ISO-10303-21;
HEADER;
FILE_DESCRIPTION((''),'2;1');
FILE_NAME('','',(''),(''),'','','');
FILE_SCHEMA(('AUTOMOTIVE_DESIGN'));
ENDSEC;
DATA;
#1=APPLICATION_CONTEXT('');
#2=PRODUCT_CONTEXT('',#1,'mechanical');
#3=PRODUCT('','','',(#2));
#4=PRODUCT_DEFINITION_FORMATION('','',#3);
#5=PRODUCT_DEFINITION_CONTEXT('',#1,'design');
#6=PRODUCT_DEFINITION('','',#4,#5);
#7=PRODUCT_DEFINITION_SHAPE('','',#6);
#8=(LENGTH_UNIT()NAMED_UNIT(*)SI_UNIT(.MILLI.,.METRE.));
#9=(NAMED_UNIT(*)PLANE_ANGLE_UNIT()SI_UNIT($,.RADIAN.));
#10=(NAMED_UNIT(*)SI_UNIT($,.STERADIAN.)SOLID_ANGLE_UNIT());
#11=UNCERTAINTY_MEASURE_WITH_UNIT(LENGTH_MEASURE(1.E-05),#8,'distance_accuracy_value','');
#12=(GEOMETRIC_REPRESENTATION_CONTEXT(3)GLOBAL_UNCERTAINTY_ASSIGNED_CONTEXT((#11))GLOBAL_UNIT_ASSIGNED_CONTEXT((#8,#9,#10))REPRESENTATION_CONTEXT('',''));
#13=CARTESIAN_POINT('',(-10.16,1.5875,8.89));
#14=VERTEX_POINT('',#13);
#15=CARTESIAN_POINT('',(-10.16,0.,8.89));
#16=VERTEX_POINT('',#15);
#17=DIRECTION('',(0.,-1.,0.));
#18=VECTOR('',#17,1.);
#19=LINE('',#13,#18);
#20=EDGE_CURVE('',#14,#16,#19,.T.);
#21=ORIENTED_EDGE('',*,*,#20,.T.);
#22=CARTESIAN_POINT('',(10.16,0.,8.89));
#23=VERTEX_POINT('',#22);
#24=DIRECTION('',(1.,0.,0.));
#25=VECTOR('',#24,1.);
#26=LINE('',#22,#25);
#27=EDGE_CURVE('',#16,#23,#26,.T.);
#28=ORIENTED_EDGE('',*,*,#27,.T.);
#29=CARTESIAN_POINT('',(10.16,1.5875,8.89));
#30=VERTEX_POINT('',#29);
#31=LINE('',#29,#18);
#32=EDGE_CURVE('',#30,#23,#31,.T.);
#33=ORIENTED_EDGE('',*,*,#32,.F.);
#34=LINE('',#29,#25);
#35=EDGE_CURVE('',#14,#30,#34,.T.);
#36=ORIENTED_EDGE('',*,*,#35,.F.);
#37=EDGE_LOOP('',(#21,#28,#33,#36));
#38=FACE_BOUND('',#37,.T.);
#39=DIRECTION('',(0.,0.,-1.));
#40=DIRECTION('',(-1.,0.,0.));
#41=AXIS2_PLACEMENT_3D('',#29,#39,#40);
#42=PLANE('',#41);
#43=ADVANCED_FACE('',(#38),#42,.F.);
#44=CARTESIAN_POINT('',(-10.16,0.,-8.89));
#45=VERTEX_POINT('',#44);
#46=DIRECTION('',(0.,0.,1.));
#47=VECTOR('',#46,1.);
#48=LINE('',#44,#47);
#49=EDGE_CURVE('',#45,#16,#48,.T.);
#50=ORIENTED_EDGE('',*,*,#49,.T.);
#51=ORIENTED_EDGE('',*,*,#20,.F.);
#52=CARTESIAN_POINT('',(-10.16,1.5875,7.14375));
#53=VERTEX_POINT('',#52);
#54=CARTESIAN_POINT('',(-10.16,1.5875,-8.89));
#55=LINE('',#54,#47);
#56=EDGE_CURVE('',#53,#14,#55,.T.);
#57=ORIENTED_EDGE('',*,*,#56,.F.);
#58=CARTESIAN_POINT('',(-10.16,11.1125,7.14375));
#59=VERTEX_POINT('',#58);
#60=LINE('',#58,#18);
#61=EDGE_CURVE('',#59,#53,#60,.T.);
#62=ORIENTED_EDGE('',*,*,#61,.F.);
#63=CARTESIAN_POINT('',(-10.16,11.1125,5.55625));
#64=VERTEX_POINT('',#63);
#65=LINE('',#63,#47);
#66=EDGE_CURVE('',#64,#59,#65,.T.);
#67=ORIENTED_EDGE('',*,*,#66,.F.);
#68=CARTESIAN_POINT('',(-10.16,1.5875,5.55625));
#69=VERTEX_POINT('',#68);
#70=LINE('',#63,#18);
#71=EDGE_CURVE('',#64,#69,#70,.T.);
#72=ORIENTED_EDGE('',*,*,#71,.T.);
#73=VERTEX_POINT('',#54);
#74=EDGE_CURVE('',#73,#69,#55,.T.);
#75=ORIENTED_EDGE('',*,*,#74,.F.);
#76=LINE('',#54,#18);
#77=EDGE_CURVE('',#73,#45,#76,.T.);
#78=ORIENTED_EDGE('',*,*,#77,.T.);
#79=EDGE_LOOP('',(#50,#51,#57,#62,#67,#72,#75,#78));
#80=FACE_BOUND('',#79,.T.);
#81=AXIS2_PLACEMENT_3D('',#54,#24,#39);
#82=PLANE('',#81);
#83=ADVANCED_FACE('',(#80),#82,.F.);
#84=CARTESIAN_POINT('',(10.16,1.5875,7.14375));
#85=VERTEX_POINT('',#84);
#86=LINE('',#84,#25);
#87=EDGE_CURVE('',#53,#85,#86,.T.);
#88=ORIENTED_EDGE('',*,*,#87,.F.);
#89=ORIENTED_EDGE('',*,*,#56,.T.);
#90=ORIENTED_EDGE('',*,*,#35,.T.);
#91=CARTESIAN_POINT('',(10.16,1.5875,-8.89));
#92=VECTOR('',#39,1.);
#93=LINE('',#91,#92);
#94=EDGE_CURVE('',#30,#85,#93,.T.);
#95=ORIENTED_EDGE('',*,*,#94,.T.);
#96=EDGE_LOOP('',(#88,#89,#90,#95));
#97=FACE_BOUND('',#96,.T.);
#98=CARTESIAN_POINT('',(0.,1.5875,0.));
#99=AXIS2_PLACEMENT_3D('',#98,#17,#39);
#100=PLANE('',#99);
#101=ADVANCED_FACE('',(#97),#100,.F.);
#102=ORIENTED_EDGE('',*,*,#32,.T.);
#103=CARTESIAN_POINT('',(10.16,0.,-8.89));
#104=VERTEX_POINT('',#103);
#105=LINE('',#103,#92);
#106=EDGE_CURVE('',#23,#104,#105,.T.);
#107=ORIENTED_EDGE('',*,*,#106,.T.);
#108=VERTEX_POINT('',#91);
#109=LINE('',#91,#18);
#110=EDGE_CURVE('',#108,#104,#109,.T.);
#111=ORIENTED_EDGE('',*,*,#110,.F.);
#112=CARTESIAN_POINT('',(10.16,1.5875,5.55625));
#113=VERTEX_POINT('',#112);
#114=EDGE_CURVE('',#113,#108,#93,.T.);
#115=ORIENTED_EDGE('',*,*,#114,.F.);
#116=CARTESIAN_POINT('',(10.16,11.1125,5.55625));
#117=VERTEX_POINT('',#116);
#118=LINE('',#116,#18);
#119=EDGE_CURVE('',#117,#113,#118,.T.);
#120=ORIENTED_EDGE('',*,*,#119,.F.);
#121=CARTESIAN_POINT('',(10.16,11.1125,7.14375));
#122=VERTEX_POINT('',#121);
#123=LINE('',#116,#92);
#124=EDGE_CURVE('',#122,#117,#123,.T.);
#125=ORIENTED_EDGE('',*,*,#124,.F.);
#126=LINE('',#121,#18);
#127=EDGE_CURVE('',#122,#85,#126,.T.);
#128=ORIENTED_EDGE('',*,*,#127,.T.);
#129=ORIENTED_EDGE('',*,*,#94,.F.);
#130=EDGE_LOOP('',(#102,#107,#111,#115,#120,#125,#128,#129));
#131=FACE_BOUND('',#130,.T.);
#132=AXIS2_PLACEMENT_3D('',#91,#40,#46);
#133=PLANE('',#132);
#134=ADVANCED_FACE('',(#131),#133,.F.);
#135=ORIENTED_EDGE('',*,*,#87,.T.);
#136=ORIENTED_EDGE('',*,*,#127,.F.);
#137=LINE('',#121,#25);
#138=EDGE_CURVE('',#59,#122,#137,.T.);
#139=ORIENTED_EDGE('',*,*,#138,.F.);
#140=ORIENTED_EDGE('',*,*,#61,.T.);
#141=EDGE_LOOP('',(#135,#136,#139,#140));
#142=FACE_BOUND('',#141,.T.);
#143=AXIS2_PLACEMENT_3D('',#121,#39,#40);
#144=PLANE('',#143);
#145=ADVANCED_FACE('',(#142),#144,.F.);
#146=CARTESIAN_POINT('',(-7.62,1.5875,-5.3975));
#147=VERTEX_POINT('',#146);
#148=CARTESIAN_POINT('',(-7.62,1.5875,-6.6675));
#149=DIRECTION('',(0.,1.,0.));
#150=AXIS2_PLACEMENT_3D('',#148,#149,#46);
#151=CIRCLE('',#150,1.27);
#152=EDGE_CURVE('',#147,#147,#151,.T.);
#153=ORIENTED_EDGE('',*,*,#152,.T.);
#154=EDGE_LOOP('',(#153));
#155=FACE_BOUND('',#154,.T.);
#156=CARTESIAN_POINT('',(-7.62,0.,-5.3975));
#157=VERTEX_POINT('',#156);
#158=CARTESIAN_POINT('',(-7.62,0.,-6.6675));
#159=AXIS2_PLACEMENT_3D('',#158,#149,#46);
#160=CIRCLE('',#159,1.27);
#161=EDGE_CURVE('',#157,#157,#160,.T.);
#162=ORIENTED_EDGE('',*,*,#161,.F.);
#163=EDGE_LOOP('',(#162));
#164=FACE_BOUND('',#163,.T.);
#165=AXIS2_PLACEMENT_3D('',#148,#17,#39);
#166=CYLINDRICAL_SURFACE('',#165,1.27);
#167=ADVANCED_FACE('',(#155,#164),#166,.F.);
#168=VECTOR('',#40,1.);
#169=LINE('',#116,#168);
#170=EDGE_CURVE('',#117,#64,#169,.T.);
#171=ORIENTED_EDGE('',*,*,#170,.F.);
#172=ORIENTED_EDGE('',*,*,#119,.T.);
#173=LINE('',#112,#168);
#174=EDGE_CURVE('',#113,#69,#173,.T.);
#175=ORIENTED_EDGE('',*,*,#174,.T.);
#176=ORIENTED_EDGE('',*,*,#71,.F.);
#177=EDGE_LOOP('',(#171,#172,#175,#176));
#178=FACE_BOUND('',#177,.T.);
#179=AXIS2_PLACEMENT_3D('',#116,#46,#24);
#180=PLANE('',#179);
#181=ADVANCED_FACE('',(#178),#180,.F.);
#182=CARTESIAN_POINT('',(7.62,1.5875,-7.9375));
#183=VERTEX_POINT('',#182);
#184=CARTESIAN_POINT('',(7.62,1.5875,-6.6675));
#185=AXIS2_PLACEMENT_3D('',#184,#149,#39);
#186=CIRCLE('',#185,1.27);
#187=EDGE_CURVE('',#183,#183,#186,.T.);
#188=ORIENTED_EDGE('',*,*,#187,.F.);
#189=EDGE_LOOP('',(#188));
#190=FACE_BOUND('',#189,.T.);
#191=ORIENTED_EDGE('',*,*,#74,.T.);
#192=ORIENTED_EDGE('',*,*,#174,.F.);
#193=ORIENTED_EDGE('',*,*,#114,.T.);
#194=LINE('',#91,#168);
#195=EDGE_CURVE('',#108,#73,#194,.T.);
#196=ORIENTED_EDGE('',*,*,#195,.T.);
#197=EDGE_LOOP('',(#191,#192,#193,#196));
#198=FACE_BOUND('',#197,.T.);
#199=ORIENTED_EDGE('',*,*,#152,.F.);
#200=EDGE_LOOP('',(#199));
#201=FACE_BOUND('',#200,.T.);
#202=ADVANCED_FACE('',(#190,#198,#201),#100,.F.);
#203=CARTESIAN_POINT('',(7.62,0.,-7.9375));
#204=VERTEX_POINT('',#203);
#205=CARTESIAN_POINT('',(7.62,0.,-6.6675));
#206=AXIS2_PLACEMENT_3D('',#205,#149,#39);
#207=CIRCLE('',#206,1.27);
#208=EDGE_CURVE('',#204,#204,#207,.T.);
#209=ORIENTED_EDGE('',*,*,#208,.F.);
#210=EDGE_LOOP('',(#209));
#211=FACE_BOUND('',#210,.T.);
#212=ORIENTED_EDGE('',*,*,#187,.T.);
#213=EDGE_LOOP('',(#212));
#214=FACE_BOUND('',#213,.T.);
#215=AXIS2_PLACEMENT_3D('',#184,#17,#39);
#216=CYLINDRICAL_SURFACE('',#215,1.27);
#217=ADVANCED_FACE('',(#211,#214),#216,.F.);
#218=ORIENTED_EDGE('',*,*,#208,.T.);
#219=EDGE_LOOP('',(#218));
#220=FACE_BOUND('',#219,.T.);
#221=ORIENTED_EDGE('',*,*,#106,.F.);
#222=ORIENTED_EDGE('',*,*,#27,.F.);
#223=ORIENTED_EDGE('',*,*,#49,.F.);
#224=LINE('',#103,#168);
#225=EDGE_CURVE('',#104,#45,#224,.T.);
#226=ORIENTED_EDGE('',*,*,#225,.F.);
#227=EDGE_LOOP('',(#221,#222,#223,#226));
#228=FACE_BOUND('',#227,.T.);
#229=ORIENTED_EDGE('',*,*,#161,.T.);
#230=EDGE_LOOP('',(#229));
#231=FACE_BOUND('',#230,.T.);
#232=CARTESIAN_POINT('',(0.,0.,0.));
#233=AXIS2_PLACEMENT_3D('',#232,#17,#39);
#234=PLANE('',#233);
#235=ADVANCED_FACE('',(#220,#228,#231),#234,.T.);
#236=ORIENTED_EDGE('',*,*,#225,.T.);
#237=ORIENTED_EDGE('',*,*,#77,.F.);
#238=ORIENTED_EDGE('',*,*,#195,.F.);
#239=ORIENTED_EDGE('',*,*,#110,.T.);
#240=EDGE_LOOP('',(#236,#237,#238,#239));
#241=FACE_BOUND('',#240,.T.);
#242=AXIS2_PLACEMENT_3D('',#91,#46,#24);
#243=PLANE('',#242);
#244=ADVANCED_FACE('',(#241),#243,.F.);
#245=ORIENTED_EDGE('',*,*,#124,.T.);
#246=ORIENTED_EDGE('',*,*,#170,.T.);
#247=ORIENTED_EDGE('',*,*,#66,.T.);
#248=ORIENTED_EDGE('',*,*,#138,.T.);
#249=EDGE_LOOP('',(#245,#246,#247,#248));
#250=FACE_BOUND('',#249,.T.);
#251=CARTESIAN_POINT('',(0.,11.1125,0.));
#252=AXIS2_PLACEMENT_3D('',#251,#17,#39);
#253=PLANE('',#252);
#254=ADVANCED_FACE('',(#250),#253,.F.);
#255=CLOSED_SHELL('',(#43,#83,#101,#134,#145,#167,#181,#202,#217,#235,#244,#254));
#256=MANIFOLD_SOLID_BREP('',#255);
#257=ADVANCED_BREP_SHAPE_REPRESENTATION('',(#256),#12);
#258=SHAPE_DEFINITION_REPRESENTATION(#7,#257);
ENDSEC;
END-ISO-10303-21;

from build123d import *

# Parameters (mm, degrees)
SKETCH2_W           = 20.32
SKETCH2_H           = 17.78
SKETCH2_R           = 1.27
BOSS_EXTRUDE1_DEPTH = 1.5875
SKETCH3_W           = 20.32
SKETCH3_H           = 1.5875
BOSS_EXTRUDE2_DEPTH = 9.525


with BuildPart() as part:
    # Sketch2 → Boss-Extrude1 (new body)
    with BuildSketch(Plane(origin=(0, 0, 0), x_dir=(1, 0, 0), z_dir=(0, 1, 0))):
        Rectangle(SKETCH2_W, SKETCH2_H)
        with Locations(Location((-7.62, 6.6675, 0), (0, 0, 270))):
            Circle(SKETCH2_R, mode=Mode.SUBTRACT)
        with Locations(Location((7.62, 6.6675, 0), (0, 0, 90))):
            Circle(SKETCH2_R, mode=Mode.SUBTRACT)
    extrude(amount=BOSS_EXTRUDE1_DEPTH)

    # Sketch3 → Boss-Extrude2 (add)
    with BuildSketch(Plane(origin=(0, 1.5875, 0), x_dir=(1, 0, 0), z_dir=(0, 1, 0))):
        with Locations((0, -6.35)):
            Rectangle(SKETCH3_W, SKETCH3_H)
    extrude(amount=BOSS_EXTRUDE2_DEPTH)


solid = part.part
